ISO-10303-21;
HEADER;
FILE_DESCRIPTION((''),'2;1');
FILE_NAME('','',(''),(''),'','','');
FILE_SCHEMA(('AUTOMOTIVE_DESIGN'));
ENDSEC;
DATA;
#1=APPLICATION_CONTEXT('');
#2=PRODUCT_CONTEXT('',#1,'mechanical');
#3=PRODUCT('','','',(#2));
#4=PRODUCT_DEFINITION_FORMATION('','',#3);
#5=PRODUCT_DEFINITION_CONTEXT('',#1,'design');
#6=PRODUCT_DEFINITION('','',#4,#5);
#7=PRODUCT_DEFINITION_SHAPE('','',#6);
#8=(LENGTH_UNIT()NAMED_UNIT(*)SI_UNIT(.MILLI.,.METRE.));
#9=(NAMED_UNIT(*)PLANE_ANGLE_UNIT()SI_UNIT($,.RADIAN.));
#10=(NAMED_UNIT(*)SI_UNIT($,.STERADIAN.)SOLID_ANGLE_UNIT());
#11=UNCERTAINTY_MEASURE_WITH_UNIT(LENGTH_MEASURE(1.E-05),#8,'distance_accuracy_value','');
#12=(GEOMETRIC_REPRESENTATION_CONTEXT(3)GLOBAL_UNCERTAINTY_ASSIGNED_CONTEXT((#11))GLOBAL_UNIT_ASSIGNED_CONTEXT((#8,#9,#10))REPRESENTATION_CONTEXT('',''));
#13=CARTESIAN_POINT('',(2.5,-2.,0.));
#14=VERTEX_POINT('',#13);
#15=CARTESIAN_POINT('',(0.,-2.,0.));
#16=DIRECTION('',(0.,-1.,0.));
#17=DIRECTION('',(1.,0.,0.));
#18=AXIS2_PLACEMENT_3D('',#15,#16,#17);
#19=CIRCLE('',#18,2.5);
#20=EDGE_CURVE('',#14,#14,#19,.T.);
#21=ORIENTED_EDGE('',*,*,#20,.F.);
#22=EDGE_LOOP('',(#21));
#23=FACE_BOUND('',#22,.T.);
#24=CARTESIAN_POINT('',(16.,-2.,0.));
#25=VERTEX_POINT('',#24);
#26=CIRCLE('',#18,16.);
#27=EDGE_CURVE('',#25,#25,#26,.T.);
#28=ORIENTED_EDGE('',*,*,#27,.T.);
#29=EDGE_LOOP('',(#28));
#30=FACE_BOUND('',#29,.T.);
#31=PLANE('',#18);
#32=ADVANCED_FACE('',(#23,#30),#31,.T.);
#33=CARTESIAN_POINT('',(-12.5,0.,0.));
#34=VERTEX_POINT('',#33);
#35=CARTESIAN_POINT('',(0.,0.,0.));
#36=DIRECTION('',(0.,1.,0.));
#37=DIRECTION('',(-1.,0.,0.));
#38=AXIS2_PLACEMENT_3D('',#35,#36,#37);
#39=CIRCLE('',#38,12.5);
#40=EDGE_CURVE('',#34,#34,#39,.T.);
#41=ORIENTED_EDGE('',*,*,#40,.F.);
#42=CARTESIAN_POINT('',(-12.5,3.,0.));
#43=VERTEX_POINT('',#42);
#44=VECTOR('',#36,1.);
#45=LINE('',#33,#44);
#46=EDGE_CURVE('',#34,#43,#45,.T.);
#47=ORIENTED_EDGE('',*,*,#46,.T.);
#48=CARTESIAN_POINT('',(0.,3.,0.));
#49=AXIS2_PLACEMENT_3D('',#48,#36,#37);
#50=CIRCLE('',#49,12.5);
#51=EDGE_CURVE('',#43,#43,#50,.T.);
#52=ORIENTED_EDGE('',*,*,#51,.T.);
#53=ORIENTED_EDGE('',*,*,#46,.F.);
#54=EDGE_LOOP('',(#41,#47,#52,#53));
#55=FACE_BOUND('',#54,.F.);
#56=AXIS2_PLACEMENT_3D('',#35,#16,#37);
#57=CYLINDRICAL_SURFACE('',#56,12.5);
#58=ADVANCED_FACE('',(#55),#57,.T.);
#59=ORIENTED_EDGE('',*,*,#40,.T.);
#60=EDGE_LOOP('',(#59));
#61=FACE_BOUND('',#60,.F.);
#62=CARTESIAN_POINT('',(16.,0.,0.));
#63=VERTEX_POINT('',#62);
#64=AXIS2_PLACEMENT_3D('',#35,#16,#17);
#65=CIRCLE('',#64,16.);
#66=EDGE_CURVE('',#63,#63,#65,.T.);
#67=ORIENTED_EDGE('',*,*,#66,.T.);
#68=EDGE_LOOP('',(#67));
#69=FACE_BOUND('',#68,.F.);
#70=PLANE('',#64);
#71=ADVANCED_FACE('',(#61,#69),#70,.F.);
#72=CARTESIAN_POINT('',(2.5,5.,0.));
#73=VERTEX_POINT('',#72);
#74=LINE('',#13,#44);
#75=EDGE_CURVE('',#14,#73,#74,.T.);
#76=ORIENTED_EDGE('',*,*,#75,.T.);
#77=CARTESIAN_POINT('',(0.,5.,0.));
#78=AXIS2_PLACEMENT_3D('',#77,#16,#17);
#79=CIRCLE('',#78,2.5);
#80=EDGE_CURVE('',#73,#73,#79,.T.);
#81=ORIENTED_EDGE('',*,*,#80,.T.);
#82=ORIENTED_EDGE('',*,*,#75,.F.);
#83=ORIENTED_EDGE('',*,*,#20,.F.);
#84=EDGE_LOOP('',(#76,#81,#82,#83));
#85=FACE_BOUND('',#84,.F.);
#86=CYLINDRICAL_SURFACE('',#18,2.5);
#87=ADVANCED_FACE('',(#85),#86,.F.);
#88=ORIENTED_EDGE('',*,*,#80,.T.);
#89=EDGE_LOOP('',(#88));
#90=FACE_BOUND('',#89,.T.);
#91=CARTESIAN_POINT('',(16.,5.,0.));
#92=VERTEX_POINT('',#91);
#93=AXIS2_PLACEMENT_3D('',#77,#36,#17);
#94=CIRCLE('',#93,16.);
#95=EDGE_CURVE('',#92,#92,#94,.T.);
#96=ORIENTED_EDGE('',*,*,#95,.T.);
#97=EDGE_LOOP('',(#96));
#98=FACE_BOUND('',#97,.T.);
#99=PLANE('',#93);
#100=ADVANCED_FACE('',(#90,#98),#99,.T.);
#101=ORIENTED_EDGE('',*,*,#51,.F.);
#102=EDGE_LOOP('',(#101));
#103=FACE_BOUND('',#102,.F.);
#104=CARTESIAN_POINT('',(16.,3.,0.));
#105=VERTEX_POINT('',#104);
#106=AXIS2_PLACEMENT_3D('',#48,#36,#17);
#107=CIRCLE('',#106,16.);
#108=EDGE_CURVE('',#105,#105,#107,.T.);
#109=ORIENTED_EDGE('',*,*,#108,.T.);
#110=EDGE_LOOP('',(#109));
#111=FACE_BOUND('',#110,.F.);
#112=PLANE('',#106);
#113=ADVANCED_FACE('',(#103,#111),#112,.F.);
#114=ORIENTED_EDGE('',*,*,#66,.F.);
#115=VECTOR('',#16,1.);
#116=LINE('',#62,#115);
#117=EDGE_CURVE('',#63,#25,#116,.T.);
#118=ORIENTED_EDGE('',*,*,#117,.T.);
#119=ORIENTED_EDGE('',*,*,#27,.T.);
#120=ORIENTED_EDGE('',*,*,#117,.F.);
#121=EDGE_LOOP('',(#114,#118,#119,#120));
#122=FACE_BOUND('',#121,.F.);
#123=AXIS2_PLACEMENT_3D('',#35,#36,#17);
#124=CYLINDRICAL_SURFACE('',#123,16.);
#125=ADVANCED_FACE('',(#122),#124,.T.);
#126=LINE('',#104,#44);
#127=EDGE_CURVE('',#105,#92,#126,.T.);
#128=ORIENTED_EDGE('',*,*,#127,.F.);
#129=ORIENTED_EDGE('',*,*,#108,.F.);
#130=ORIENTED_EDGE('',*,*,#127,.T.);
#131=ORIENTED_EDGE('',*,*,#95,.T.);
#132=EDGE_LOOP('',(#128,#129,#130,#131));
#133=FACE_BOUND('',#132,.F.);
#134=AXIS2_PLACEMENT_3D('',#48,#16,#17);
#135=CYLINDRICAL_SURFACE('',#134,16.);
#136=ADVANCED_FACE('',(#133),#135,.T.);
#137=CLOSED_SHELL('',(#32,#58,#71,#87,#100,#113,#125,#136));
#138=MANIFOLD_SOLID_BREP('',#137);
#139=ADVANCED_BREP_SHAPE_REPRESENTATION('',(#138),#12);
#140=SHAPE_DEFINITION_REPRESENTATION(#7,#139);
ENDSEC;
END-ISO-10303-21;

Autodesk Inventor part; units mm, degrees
ref_plane "YZ Plane" through (0, 0, 0) normal (1, 0, 0) x (0, 1, 0)
ref_plane "XZ Plane" through (0, 0, 0) normal (0, 1, 0) x (-1, 0, 0)
ref_plane "XY Plane" through (0, 0, 0) normal (0, 0, 1) x (1, 0, 0)
sketch "Sketch1" plane through (0, 0, 0) normal (0, 1, 0) x (-1, 0, 0)
  circle A0 centre (0, 0) radius 12.5
  dimension "d0" = 25
extrude "Extrusion1" add sketch "Sketch1" along normal blind 3
sketch "Sketch2" plane through (0, 3, 0) normal (0, 1, 0) x (1, 0, 0)
  circle A0 centre (0, 0) radius 16
  dimension "d3" = 32
extrude "Extrusion2" add sketch "Sketch2" along normal blind 2
sketch "Sketch3" plane through (0, 0, 0) normal (0, -1, 0) x (1, 0, 0)
  circle A0 centre (0, 0) radius 16
  dimension "d6" = 32
extrude "Extrusion3" add sketch "Sketch3" along normal blind 2
sketch "Sketch4" plane through (0, -2, 0) normal (0, -1, 0) x (1, 0, 0)
  circle A0 centre (0, 0) radius 2.5
  dimension "d9" = 5
extrude "Extrusion4" cut sketch "Sketch4" against normal through all
properties part number "reverse gear piston"
